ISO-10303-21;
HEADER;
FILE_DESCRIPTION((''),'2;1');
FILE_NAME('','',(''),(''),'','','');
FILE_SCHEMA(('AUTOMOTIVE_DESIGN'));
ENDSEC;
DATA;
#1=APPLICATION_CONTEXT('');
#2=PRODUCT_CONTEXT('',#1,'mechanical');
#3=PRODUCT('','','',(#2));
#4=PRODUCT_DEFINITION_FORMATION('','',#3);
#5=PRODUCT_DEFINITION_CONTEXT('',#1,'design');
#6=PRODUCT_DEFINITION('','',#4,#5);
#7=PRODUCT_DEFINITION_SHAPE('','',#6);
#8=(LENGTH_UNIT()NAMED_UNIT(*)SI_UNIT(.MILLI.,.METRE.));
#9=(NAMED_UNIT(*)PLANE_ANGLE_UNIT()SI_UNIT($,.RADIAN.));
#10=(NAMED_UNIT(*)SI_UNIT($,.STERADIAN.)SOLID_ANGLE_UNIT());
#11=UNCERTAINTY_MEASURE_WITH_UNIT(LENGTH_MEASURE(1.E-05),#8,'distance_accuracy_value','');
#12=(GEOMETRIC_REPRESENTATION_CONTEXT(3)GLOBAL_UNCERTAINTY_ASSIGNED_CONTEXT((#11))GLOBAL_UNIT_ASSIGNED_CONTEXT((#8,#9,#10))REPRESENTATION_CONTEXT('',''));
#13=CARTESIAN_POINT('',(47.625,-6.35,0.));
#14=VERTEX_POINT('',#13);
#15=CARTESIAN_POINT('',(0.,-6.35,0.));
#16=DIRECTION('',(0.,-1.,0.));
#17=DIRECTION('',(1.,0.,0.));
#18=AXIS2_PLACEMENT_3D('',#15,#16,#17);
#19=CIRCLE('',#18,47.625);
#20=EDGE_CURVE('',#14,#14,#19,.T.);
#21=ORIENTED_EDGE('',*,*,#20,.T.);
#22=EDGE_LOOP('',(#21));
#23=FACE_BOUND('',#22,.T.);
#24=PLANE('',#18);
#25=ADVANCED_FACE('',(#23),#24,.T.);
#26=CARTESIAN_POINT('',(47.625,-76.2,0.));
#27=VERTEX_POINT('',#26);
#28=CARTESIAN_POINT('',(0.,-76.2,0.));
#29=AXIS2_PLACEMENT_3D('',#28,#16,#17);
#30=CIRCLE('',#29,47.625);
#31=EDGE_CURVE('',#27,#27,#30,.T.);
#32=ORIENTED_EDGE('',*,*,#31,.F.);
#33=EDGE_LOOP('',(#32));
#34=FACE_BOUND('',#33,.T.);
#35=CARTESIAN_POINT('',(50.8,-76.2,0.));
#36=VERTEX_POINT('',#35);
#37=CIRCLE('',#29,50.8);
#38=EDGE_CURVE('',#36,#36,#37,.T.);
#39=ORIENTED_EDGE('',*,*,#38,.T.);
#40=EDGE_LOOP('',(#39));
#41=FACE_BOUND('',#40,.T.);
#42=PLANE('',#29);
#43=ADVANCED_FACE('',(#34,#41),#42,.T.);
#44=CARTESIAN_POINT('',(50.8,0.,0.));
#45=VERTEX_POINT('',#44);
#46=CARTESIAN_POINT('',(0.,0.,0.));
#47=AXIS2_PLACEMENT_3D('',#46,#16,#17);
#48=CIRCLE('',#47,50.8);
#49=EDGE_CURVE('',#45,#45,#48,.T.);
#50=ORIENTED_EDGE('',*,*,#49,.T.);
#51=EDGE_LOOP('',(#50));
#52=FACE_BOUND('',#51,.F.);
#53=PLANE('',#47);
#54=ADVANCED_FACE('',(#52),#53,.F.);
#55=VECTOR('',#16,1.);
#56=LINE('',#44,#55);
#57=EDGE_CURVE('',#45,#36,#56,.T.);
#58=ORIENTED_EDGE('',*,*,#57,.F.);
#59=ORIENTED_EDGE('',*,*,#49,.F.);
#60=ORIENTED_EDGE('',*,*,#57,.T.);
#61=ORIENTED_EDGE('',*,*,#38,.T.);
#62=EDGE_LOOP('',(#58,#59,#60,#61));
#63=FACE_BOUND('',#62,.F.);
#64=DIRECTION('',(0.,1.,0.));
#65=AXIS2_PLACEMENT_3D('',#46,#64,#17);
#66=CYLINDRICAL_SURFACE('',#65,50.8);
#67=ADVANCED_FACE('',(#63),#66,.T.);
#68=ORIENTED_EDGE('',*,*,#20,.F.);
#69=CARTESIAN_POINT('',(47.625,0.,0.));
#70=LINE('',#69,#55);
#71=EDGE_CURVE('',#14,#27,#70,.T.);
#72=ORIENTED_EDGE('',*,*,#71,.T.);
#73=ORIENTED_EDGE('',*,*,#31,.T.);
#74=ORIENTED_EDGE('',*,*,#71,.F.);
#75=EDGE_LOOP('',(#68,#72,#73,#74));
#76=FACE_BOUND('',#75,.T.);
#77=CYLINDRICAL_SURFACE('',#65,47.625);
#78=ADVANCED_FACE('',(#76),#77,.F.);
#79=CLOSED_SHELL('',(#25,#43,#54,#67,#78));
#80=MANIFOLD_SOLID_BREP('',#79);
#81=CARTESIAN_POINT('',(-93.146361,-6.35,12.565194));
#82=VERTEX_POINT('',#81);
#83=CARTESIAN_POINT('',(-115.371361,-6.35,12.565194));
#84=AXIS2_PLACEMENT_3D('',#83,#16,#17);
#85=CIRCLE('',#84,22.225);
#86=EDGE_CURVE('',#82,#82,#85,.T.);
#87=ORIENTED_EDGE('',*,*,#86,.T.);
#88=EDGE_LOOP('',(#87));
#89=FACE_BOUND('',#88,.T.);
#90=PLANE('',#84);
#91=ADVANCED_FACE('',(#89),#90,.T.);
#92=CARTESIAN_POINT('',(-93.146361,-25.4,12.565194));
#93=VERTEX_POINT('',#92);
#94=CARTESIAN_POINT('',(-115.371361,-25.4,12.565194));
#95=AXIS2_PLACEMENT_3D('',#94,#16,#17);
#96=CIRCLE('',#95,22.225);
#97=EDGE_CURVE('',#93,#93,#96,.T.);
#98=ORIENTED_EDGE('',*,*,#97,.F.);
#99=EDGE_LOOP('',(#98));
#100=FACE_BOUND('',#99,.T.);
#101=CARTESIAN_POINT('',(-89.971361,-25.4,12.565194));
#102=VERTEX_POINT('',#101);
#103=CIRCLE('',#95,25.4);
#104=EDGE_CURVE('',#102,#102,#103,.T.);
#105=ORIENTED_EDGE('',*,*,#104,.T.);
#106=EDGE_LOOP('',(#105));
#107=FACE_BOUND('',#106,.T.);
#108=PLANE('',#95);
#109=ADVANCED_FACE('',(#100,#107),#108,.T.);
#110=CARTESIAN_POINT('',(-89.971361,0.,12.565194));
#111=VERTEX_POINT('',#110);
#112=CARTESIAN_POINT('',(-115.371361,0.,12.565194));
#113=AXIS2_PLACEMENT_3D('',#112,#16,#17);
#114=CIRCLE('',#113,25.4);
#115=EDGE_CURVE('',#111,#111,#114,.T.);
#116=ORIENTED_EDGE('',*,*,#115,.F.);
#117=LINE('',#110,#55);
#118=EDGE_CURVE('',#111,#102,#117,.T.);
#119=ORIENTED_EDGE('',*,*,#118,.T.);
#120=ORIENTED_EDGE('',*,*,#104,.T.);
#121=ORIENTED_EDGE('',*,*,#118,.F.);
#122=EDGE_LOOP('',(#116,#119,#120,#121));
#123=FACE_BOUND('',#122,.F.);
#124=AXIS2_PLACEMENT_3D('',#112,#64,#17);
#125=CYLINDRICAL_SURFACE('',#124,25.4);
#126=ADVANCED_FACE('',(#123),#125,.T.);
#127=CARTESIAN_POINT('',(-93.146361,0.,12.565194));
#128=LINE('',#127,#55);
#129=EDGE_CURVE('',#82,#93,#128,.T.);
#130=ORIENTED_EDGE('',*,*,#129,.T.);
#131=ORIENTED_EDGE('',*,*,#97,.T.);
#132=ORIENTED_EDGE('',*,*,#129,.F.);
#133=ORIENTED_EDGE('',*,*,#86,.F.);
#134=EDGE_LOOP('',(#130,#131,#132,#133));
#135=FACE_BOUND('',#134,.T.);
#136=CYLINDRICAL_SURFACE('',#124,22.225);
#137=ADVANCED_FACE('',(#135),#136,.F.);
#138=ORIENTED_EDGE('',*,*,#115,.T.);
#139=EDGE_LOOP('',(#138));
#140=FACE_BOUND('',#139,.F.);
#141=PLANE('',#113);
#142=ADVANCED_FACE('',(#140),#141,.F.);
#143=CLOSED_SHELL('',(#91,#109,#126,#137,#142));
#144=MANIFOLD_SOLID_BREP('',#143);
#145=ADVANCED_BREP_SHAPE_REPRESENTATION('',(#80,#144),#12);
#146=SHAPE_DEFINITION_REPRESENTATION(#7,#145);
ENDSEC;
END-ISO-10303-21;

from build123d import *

# Parameters (mm, degrees)
F0_R     = 25.4
F0_R_2   = 22.225
F1_DEPTH = 25.4
F0_R_3   = 50.8
F0_R_4   = 47.625
F2_DEPTH = 76.2
F3_DEPTH = 6.35
F4_DEPTH = 6.35


with BuildPart() as f1:
    # F0 (on Front) → F1 (new body)
    with BuildSketch(Plane.XZ):
        with Locations((-115.371361, 12.565194)):
            Circle(F0_R)
        with Locations((-115.371361, 12.565194)):
            Circle(F0_R_2, mode=Mode.SUBTRACT)
    extrude(amount=F1_DEPTH)

    # F0 (on Front) → F3 (join)
    with BuildSketch(Plane.XZ):
        with Locations((-115.371361, 12.565194)):
            Circle(F0_R_2)
    extrude(amount=F3_DEPTH)


with BuildPart() as f2:
    # F0 (on Front) → F2 (new body)
    with BuildSketch(Plane.XZ):
        Circle(F0_R_3)
        Circle(F0_R_4, mode=Mode.SUBTRACT)
    extrude(amount=F2_DEPTH)

    # F0 (on Front) → F4 (join)
    with BuildSketch(Plane.XZ):
        Circle(F0_R_4)
    extrude(amount=F4_DEPTH)


solid = Compound([f1.part, f2.part])
